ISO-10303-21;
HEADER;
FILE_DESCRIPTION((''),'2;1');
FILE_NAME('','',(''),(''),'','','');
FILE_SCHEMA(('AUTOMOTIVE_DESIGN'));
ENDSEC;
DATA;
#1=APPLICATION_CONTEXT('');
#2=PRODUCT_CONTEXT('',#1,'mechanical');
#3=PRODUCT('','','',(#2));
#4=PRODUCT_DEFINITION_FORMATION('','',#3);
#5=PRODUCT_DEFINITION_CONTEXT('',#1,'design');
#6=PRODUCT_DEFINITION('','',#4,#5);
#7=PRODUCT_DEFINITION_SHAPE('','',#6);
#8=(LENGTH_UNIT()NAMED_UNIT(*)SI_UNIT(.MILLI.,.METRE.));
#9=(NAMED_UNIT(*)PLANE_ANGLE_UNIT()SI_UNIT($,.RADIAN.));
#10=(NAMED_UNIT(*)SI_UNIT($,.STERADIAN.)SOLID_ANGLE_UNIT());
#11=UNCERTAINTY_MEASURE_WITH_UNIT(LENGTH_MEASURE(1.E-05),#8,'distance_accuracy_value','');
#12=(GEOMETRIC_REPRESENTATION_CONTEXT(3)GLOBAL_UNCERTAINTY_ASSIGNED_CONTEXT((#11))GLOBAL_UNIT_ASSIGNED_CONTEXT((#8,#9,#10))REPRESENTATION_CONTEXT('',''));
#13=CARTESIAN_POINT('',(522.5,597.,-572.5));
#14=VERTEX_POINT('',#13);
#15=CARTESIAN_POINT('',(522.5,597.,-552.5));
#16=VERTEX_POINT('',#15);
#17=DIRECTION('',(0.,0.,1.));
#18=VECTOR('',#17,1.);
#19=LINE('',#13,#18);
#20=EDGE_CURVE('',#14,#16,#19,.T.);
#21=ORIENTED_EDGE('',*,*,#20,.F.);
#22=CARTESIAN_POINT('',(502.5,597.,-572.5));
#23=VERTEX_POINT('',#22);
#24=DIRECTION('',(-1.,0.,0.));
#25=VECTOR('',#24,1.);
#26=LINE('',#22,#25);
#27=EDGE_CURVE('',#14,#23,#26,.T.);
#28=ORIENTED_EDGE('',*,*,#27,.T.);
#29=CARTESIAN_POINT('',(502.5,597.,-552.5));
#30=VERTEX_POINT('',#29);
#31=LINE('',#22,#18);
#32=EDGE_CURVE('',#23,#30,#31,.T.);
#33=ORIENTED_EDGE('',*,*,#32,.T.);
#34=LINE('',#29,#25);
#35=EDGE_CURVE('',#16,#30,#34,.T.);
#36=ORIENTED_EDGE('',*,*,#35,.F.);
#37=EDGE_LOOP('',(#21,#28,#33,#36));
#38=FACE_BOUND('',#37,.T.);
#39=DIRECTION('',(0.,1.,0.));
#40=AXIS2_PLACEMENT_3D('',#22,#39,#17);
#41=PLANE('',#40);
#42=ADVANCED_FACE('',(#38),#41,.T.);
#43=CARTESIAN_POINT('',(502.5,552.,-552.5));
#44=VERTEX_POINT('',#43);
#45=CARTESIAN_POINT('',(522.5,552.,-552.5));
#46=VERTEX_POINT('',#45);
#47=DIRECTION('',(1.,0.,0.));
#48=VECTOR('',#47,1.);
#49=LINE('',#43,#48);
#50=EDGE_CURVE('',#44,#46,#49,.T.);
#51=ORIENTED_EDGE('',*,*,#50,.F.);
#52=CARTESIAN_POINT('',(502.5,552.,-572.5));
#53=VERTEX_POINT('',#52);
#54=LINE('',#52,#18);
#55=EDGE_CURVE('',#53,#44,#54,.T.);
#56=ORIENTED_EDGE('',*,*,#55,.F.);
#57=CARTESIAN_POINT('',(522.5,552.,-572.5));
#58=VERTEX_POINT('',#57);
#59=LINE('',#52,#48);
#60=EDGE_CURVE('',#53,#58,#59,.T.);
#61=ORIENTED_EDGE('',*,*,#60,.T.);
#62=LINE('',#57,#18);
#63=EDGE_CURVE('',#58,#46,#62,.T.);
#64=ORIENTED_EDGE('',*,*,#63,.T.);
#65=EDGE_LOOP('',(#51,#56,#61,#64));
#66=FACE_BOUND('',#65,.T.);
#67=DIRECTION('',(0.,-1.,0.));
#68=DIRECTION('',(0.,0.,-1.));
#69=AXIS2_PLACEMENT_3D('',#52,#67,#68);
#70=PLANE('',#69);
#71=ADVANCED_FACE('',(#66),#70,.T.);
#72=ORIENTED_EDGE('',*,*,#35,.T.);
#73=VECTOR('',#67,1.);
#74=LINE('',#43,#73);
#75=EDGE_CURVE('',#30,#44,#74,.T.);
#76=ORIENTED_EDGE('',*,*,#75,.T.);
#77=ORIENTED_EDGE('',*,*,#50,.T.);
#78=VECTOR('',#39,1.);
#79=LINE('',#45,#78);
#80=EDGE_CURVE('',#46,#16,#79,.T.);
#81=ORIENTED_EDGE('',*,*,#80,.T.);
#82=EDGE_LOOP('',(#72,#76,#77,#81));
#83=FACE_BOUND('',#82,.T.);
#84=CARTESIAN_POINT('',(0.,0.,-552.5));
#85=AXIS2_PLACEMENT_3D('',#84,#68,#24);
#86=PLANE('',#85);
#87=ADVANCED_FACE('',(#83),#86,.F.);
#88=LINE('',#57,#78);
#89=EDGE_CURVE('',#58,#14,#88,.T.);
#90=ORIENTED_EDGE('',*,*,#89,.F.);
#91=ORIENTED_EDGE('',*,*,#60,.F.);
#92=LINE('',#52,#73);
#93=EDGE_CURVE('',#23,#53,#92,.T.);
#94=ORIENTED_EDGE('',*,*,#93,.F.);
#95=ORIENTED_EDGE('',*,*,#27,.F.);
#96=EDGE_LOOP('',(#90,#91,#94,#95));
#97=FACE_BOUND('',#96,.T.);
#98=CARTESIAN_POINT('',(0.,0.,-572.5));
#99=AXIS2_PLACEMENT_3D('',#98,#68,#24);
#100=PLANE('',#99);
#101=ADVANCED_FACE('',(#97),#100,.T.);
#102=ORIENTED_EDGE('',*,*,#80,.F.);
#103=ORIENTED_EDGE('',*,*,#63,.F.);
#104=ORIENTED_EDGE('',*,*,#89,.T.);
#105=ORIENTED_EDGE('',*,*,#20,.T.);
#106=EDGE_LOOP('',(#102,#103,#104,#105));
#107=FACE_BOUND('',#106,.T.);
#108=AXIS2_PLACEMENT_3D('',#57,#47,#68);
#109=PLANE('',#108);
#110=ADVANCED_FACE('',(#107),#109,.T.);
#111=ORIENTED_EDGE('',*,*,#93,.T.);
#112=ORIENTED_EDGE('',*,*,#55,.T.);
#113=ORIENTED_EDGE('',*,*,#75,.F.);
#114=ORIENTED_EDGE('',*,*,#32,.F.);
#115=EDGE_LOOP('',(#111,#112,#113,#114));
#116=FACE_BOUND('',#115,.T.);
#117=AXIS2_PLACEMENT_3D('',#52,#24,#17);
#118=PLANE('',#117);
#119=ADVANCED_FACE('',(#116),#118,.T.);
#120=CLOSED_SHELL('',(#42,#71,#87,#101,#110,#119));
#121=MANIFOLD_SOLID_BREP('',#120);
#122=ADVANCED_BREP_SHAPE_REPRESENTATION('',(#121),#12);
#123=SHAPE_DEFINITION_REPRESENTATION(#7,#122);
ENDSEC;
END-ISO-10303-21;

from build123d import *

# Parameters (mm, degrees)
PACK_KOSE_PLOWU_2_1_START = -552.5
SKETCH1_W                 = 20
SKETCH1_H                 = 45
PACK_KOSE_PLOWU_2_1_DEPTH = 20


with BuildPart() as part:
    # Sketch1 → PACK_kose_plowu_2_1 (new body)
    with BuildSketch(Plane.XY.offset(PACK_KOSE_PLOWU_2_1_START)):
        with Locations((512.5, 574.5)):
            Rectangle(SKETCH1_W, SKETCH1_H)
    extrude(amount=-PACK_KOSE_PLOWU_2_1_DEPTH)


solid = part.part
